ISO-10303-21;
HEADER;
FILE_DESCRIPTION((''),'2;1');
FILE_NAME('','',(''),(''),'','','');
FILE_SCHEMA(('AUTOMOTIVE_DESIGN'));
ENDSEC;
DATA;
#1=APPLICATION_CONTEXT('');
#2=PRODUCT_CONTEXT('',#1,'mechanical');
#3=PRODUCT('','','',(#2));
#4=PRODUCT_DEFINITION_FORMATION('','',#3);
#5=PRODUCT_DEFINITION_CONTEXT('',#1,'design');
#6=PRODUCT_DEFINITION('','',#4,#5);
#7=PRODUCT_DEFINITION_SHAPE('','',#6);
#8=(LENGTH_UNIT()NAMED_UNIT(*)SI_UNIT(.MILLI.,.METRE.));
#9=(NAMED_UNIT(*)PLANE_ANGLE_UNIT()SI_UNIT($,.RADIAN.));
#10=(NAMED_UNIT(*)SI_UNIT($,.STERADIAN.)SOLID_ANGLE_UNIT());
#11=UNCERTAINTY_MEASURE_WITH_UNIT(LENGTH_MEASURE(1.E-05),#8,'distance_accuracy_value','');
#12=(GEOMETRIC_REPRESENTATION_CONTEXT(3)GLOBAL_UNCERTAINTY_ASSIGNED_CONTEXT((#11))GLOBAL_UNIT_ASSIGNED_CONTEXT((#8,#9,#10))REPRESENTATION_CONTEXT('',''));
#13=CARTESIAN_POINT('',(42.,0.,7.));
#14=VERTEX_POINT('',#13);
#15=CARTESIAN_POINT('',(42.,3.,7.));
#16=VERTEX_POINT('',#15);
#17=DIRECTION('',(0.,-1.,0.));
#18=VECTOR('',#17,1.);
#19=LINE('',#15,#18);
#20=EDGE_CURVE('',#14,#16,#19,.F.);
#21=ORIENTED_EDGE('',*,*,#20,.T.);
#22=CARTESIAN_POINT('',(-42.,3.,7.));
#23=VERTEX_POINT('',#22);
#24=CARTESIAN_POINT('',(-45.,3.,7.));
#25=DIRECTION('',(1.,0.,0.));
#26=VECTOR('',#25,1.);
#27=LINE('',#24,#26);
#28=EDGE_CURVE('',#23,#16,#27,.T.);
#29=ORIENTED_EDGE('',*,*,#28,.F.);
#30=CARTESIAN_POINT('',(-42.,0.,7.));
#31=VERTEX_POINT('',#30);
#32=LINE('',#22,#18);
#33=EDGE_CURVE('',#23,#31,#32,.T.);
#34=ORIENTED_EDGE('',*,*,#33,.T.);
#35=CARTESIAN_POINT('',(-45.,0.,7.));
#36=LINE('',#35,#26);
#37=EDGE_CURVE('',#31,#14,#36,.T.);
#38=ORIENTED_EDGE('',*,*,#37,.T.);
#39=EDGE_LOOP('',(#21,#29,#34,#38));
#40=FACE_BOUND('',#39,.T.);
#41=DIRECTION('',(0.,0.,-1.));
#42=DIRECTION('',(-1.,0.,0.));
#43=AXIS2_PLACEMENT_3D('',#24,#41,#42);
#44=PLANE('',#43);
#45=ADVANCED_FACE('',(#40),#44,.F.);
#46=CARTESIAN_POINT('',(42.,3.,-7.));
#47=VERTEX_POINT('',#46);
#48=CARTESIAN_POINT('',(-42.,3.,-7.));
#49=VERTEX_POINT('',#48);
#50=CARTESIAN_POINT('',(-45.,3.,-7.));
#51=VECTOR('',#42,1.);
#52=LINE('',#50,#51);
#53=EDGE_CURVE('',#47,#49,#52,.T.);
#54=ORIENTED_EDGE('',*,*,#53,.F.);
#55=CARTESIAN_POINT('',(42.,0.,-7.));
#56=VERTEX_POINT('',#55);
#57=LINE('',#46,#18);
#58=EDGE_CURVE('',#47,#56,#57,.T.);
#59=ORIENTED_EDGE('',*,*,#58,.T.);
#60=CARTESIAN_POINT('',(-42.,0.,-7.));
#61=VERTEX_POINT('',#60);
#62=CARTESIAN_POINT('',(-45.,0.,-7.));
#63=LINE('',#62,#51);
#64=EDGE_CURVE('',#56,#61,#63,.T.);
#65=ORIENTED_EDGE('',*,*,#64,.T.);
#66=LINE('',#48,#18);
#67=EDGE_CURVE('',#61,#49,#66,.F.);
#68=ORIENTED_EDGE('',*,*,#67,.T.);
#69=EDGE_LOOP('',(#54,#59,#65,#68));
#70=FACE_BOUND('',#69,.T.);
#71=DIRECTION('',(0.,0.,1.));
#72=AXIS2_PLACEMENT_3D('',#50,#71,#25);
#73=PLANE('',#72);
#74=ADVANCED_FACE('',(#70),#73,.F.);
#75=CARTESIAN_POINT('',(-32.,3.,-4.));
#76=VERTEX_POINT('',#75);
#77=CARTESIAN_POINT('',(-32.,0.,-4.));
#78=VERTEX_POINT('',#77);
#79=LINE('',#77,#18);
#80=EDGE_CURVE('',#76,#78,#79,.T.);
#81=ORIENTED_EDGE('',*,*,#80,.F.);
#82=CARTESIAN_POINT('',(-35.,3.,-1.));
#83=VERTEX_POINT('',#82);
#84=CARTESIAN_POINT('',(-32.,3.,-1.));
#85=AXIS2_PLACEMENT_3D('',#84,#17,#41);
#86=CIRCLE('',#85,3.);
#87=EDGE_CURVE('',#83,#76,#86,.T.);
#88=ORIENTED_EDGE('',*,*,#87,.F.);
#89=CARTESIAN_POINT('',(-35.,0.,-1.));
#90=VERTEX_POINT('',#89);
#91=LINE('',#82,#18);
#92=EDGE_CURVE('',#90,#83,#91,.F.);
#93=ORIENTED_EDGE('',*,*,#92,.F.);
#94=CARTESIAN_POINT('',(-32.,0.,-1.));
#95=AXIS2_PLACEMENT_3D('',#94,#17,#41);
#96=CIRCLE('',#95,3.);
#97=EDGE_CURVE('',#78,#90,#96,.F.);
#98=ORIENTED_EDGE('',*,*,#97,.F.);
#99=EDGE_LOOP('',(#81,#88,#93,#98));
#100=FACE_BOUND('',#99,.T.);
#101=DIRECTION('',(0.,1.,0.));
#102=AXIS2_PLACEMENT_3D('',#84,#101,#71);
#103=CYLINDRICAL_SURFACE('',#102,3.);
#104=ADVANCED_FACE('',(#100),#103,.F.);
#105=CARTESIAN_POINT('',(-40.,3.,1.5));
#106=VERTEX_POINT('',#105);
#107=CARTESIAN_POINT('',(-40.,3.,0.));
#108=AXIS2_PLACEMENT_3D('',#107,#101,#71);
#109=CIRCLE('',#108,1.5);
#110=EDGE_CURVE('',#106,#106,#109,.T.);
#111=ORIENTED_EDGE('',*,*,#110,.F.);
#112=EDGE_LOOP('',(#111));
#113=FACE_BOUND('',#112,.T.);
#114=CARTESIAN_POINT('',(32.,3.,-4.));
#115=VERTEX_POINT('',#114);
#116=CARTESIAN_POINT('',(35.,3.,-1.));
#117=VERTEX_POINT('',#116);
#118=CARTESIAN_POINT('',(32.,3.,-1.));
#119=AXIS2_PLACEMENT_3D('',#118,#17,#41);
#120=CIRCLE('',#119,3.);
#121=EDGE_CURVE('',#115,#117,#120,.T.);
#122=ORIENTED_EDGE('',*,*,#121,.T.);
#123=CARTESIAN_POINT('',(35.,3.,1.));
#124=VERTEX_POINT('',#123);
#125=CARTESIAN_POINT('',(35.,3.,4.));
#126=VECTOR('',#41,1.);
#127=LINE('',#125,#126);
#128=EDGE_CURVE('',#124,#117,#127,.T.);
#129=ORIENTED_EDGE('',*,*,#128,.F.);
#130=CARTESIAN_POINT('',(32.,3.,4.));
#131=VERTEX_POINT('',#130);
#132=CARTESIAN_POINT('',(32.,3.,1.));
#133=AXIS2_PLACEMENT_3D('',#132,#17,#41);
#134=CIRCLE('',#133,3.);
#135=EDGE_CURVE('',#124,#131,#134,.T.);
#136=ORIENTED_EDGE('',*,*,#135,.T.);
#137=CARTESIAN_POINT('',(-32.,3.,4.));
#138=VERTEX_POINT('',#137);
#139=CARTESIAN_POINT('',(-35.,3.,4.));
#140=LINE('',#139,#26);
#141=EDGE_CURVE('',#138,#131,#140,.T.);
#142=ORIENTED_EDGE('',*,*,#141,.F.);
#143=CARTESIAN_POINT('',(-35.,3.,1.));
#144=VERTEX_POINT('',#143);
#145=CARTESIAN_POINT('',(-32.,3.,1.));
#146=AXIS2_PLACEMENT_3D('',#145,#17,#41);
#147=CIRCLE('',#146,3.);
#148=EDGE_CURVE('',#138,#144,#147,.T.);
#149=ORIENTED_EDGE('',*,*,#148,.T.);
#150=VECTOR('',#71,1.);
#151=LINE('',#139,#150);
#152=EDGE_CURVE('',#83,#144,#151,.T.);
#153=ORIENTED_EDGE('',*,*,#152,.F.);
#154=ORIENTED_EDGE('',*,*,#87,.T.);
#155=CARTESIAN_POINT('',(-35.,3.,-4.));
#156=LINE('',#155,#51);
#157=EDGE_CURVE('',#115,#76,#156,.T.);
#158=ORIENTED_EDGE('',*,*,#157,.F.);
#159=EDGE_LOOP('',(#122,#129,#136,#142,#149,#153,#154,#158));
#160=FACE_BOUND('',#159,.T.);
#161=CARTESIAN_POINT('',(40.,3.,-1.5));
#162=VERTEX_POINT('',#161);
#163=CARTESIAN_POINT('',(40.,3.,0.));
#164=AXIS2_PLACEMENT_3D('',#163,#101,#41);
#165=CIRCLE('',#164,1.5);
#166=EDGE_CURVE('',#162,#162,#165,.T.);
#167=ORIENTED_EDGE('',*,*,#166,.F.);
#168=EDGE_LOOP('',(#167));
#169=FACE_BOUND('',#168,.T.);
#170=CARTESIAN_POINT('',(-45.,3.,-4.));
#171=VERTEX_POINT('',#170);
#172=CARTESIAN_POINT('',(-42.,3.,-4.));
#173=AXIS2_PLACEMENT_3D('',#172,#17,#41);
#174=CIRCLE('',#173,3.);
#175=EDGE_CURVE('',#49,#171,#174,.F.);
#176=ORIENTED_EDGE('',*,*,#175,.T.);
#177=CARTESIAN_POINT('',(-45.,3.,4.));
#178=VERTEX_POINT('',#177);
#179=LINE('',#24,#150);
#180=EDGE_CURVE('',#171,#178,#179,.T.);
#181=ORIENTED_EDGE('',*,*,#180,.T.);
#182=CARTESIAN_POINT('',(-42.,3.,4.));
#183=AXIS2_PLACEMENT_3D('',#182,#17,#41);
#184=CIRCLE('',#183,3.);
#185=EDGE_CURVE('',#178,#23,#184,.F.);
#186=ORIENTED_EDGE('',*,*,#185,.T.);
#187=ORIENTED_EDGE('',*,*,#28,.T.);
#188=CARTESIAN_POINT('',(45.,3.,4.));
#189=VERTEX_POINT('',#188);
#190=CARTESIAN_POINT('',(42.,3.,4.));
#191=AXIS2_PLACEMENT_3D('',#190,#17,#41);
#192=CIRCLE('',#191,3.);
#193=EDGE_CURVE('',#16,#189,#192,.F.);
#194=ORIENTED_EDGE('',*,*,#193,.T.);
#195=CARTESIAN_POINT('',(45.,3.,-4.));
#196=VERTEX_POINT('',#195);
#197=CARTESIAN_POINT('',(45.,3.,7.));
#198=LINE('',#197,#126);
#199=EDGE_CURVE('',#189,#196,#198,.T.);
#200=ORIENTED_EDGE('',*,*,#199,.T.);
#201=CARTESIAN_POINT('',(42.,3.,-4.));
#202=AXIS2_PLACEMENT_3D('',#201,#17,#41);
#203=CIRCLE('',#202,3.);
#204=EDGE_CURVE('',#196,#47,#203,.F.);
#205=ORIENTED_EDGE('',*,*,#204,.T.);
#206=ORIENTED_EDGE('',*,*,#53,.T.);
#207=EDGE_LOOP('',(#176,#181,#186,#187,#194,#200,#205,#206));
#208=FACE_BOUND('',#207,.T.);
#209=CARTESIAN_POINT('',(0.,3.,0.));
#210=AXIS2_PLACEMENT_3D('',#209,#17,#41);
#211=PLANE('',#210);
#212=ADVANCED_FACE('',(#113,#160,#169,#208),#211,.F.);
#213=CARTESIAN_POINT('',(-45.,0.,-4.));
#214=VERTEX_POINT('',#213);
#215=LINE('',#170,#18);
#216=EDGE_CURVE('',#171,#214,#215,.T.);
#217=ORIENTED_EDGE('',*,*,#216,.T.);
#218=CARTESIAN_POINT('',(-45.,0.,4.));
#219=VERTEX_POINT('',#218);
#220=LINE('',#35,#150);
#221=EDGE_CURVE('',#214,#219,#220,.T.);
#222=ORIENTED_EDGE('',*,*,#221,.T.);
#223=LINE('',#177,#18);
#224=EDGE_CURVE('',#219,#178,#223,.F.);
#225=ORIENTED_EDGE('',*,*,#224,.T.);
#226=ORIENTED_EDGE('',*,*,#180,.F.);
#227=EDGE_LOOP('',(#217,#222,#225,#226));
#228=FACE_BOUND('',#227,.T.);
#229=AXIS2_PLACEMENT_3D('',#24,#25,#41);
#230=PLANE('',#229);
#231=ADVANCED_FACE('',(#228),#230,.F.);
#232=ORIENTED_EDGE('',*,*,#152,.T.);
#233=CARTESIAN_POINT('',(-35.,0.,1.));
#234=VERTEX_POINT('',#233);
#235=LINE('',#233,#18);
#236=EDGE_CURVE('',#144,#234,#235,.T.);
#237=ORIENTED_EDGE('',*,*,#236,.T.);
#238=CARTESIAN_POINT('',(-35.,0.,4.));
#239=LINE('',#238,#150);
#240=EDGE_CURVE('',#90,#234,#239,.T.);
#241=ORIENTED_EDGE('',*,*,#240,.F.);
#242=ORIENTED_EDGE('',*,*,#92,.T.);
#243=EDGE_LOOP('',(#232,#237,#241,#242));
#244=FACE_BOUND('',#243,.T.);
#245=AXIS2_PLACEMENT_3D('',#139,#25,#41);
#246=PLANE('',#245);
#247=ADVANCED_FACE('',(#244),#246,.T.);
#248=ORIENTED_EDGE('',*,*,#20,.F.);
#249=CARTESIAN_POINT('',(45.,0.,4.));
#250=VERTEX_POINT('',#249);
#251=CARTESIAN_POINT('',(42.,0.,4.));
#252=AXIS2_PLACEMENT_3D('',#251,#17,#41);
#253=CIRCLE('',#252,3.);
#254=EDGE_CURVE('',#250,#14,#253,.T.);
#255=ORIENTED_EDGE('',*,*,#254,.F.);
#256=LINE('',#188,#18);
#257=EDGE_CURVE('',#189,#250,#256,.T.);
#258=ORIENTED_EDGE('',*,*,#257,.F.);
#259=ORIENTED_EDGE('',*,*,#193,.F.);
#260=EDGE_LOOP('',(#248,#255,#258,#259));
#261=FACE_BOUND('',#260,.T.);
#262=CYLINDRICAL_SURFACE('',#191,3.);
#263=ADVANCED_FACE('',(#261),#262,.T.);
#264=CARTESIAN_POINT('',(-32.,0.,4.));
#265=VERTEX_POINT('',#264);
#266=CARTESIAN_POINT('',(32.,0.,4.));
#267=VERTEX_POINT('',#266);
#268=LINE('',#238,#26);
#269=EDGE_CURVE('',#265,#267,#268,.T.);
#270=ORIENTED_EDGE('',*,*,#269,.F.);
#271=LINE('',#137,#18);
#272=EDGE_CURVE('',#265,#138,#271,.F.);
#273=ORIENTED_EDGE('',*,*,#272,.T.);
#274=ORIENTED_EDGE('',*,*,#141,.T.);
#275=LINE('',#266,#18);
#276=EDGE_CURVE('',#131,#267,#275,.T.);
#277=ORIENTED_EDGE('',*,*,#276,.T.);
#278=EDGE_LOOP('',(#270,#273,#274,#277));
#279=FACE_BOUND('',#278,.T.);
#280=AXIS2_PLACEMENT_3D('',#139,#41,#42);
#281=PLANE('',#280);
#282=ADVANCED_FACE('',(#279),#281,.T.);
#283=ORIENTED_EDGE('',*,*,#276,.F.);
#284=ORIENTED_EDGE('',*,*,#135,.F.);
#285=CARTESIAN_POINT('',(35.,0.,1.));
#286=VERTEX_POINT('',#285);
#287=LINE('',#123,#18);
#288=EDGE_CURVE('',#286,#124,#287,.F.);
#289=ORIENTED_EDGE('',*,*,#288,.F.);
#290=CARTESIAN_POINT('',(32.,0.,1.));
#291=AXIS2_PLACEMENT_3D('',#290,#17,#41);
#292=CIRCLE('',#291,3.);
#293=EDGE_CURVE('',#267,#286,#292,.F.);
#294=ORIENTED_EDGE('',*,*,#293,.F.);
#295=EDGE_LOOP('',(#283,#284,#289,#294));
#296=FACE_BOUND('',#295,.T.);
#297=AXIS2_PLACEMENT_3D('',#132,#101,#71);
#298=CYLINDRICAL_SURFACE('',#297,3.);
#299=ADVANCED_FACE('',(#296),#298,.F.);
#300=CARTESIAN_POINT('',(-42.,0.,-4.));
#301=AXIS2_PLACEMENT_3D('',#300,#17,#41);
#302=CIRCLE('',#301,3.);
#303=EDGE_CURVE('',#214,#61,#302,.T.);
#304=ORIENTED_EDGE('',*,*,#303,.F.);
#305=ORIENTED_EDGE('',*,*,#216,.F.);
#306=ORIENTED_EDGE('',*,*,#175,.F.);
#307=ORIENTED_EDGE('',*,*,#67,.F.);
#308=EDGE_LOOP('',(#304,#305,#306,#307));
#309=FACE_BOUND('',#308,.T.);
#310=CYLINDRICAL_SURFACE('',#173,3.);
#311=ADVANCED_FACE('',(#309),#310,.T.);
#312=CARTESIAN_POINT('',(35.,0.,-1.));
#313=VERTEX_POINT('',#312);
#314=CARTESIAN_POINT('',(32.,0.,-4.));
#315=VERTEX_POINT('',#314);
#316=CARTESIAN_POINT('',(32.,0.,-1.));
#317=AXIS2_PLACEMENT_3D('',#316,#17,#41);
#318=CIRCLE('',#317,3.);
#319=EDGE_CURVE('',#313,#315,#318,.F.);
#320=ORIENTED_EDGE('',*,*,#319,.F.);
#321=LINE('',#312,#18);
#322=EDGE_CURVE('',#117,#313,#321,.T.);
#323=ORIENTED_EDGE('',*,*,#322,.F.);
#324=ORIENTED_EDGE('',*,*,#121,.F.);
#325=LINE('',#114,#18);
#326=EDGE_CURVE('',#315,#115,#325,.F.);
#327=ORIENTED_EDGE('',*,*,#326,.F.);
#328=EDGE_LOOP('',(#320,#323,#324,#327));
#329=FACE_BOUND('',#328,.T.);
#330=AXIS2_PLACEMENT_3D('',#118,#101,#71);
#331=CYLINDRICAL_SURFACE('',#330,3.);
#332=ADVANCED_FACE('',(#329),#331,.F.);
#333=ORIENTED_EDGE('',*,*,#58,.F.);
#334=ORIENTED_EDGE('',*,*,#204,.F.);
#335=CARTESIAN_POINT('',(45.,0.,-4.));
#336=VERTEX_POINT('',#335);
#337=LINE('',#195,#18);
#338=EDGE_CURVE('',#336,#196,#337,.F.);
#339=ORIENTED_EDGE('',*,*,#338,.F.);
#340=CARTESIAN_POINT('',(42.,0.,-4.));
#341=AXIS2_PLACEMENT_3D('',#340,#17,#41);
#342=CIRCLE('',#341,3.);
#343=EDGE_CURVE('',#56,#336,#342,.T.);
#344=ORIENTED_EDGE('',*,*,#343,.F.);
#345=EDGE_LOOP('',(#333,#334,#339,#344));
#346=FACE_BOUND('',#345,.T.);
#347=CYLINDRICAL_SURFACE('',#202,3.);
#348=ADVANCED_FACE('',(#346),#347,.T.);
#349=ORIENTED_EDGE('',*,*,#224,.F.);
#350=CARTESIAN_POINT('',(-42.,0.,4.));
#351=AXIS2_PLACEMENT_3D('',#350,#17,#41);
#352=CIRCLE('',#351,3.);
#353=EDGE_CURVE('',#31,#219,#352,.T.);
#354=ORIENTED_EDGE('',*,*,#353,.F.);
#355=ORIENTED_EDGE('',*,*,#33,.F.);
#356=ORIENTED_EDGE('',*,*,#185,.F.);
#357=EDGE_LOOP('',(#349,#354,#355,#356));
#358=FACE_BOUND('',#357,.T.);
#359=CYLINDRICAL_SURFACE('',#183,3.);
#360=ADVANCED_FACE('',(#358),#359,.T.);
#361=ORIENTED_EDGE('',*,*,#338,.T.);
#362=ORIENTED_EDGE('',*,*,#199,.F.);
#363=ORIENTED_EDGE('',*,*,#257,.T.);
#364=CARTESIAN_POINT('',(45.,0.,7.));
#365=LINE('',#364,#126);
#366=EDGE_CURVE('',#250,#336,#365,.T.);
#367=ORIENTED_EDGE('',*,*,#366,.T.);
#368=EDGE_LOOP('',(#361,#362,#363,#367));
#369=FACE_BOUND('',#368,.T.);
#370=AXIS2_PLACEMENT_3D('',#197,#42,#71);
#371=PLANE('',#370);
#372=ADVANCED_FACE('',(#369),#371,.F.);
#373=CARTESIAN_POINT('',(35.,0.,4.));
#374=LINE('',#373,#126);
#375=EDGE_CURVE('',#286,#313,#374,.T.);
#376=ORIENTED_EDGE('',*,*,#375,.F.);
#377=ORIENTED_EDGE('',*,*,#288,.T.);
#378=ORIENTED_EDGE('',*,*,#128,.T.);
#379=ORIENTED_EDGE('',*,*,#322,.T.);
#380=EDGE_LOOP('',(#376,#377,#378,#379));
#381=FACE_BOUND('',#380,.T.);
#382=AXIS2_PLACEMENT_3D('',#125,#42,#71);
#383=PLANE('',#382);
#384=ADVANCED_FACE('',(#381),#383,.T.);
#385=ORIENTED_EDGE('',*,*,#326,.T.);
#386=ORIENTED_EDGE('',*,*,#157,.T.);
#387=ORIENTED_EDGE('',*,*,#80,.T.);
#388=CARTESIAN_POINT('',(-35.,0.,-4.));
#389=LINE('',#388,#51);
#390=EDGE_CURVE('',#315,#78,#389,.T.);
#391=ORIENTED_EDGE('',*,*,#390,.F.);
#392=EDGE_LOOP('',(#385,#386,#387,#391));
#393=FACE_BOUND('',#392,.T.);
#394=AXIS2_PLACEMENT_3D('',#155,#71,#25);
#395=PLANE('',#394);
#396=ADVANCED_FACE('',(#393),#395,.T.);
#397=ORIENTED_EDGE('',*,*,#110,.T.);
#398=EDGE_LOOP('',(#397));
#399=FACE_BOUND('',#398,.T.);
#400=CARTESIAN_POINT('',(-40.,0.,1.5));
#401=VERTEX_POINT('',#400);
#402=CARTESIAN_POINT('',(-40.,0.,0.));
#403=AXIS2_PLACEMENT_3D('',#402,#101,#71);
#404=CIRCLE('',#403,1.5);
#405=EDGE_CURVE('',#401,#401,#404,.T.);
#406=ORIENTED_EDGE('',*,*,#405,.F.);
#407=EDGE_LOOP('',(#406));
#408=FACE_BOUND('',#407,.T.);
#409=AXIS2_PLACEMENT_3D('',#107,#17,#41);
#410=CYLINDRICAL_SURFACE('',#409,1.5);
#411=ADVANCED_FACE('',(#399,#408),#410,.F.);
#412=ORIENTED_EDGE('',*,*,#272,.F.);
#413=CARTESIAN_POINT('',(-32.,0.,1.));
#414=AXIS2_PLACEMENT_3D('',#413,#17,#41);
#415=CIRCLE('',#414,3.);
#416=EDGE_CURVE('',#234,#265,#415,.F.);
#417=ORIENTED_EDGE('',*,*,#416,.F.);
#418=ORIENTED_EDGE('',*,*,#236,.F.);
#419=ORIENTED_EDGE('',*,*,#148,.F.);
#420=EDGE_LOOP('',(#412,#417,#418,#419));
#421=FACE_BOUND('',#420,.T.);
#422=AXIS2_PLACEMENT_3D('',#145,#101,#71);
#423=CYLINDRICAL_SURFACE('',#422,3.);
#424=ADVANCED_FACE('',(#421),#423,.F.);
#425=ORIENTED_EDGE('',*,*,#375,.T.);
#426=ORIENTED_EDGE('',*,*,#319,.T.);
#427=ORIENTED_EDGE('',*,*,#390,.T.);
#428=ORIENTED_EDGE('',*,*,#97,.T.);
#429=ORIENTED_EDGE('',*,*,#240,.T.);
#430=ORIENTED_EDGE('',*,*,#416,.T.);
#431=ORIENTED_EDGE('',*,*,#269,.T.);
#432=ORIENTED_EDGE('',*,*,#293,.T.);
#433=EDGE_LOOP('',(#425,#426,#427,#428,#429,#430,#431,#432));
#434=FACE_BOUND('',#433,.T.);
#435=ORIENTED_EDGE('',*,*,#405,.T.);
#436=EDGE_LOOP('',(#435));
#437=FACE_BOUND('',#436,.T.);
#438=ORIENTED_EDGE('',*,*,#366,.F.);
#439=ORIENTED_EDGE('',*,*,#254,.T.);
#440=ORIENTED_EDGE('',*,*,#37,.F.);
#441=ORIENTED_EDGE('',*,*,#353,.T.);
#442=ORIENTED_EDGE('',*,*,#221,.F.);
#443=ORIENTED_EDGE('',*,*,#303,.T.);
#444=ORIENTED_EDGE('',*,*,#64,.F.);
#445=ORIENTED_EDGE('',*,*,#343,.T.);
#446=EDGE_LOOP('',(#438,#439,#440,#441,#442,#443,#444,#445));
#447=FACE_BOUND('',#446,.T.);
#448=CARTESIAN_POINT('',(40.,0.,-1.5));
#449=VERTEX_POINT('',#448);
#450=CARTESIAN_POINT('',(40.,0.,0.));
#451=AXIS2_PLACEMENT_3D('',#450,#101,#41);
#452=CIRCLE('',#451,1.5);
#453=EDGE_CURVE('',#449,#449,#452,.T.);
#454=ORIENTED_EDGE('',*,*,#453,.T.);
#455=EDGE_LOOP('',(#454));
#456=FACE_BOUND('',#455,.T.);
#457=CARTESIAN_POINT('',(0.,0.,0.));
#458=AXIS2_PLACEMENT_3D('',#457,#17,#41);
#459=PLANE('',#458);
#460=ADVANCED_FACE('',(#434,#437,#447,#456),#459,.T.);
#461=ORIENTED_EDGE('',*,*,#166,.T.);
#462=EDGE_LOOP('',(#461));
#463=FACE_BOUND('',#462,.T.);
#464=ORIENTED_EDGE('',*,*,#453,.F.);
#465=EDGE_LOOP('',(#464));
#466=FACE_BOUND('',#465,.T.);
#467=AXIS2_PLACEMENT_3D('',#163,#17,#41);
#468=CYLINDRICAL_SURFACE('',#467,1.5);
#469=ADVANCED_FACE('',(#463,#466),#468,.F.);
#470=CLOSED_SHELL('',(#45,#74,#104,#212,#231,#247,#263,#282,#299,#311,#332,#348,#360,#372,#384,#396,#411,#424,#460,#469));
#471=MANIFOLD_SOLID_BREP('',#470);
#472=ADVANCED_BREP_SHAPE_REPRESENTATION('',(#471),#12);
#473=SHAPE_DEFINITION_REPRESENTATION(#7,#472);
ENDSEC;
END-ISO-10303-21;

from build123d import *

# Parameters (mm, degrees)
SKETCH_1_W      = 90
SKETCH_1_H      = 14
SKETCH_1_R      = 1.5
SKETCH_1_W_2    = 70
SKETCH_1_H_2    = 8
EXTRUDE_1_DEPTH = 3
FILLET_1_R      = 3


with BuildPart() as part:
    # 草图1 → 凸台-拉伸1 (new body)
    with BuildSketch(Plane(origin=(0, 0, 0), x_dir=(1, 0, 0), z_dir=(0, 1, 0))):
        Rectangle(SKETCH_1_W, SKETCH_1_H)
        with Locations(Location((-40, 0, 0), (0, 0, 270))):
            Circle(SKETCH_1_R, mode=Mode.SUBTRACT)
        with Locations(Location((40, 0, 0), (0, 0, 90))):
            Circle(SKETCH_1_R, mode=Mode.SUBTRACT)
        Rectangle(SKETCH_1_W_2, SKETCH_1_H_2, mode=Mode.SUBTRACT)
    extrude(amount=EXTRUDE_1_DEPTH)

    # 圆角1
    fillet_1_edges = [part.edges().sort_by_distance(p)[0] for p in [
        (35, 1.5, 4),
        (35, 1.5, -4),
        (-35, 1.5, -4),
        (-35, 1.5, 4),
        (45, 1.5, 7),
        (-45, 1.5, 7),
        (-45, 1.5, -7),
        (45, 1.5, -7),
    ]]
    fillet(fillet_1_edges, radius=FILLET_1_R)


solid = part.part
